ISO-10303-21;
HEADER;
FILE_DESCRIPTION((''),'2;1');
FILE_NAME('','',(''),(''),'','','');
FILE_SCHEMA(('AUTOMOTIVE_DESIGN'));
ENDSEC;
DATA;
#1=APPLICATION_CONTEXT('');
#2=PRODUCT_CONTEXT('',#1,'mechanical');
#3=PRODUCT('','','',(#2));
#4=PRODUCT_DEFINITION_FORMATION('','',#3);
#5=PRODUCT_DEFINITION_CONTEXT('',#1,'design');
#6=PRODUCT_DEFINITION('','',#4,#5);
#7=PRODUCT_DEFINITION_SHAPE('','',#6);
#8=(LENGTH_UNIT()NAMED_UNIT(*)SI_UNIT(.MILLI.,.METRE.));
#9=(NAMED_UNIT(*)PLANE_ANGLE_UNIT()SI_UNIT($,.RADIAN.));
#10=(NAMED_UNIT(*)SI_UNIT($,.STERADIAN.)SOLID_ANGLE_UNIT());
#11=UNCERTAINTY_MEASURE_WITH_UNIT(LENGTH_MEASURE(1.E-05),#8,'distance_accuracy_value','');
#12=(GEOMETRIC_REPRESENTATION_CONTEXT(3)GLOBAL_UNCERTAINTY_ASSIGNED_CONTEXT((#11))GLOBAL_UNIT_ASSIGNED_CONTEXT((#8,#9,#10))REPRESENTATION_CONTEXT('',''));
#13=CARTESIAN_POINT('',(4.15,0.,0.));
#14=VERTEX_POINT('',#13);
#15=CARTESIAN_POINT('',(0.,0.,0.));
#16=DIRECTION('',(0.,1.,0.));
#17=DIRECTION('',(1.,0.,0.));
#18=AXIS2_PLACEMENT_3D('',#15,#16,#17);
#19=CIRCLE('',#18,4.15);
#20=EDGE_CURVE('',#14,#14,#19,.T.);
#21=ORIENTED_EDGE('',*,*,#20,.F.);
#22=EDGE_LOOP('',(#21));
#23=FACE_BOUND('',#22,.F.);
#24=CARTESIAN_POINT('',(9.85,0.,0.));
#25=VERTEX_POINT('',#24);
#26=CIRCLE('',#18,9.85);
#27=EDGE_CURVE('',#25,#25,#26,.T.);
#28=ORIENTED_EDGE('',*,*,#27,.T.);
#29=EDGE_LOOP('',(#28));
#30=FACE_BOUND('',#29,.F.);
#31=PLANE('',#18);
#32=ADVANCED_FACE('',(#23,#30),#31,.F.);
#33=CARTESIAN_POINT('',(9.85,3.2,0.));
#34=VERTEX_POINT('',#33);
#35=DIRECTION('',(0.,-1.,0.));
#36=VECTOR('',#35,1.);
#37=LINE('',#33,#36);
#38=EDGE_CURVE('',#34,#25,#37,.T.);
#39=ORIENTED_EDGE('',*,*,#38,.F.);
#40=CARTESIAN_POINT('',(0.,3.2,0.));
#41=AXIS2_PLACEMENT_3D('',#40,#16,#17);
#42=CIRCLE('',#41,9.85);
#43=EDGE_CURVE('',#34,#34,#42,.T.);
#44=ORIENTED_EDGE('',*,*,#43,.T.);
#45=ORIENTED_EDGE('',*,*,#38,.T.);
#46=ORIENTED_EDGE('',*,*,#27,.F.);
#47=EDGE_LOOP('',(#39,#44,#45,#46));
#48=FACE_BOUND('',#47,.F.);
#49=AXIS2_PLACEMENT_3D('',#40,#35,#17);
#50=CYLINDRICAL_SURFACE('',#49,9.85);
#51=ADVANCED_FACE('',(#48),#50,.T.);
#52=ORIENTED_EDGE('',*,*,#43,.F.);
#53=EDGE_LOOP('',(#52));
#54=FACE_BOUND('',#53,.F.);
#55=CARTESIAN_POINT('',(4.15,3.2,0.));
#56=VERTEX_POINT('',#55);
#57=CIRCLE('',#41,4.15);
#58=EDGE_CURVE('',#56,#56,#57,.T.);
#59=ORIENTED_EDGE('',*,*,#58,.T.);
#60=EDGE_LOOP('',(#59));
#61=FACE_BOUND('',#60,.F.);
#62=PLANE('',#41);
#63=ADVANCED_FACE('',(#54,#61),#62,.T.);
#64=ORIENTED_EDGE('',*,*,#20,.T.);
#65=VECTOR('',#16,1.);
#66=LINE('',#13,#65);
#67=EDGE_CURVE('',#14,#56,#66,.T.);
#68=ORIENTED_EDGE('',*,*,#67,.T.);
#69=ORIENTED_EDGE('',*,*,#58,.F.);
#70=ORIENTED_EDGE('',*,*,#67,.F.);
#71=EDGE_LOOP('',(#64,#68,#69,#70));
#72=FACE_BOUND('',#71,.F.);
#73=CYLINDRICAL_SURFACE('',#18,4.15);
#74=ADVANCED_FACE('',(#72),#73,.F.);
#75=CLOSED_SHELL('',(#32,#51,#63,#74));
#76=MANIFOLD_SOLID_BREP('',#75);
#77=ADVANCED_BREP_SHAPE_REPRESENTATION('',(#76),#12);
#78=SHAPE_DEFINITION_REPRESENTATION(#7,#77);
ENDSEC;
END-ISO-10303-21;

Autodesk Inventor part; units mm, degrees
ref_plane "YZ Plane" through (0, 0, 0) normal (1, 0, 0) x (0, 1, 0)
ref_plane "XZ Plane" through (0, 0, 0) normal (0, 1, 0) x (-1, 0, 0)
ref_plane "XY Plane" through (0, 0, 0) normal (0, 0, 1) x (1, 0, 0)
sketch "Schizzo4" plane through (0, 0, 0) normal (0, 0, 1) x (1, 0, 0)
  line L0 (4.15, 0) -> (4.15, 3.2)
  line L1 (4.15, 3.2) -> (9.85, 3.2)
  line L2 (9.85, 3.2) -> (9.85, 0)
  line L3 (9.85, 0) -> (4.15, 0)
  line L4 (0, 0) -> (0, 3.2)
  dimension "d0" = 3.2
  dimension "d1" = 19.7
  dimension "d2" = 8.3
revolve "Rivoluzione1" add sketch "Schizzo4" angle 360 about axis through (0, 0, 0) along (0, 1, 0)
properties part number "Plastic Washer (RAM-201U-B)" material "Plastica PPS"
